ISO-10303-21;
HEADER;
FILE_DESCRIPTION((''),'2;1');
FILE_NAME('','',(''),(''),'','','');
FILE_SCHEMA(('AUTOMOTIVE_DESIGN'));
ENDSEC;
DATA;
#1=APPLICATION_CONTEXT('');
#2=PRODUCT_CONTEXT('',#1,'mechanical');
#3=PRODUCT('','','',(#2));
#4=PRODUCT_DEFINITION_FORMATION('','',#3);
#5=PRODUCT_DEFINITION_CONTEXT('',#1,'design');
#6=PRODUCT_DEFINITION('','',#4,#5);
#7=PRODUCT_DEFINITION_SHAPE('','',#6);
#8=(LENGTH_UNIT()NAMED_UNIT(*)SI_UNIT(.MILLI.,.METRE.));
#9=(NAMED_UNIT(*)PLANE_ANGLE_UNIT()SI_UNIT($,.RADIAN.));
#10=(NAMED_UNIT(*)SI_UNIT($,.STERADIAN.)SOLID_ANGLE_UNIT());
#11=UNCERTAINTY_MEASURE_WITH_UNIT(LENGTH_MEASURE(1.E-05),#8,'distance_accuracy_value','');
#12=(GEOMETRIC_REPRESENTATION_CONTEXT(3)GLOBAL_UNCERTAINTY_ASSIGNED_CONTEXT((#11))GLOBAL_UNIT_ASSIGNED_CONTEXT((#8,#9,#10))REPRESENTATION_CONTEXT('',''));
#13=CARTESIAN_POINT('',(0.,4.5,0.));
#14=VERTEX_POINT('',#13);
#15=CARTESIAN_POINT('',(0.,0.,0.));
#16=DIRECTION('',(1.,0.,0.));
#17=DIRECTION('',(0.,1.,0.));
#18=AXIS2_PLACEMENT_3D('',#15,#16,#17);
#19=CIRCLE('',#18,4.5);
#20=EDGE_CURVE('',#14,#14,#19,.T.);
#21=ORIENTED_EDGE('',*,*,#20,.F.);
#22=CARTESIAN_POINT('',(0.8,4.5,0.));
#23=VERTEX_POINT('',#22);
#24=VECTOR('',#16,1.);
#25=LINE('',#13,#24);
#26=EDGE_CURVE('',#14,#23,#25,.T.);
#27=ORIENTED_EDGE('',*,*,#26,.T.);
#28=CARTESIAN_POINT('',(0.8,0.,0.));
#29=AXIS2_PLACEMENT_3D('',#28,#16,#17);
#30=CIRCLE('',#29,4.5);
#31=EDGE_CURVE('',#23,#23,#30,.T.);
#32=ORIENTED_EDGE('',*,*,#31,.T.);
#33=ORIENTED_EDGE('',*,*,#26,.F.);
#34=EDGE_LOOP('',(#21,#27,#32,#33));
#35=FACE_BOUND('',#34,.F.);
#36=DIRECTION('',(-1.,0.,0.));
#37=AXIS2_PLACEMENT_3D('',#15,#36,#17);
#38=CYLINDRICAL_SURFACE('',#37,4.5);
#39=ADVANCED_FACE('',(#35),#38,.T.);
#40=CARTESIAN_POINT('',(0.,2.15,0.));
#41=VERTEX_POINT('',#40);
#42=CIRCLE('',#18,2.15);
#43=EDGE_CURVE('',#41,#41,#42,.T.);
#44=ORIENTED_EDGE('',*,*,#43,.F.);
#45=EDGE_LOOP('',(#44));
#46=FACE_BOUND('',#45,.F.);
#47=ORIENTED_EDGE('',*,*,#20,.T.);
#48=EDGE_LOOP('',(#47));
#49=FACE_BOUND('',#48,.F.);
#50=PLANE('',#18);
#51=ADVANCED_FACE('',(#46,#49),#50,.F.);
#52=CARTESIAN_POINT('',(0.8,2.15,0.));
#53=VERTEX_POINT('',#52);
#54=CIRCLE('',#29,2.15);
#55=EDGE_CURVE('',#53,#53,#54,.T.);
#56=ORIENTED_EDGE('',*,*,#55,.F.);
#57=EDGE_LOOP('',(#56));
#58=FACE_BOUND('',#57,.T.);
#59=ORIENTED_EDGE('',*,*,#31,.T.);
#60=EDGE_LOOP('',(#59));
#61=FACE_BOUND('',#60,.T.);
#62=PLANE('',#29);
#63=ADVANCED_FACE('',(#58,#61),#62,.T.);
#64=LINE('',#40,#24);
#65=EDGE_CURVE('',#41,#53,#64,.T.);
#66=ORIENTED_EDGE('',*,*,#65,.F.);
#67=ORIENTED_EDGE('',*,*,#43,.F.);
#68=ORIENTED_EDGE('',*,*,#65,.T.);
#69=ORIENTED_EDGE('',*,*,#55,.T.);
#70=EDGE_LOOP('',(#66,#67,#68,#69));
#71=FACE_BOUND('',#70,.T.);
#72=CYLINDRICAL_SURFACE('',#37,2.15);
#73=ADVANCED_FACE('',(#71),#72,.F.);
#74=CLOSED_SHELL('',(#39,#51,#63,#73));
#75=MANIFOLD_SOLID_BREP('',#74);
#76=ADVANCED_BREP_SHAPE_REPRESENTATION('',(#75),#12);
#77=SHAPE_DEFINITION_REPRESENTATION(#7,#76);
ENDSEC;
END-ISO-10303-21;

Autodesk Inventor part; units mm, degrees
ref_plane "YZ Plane" through (0, 0, 0) normal (1, 0, 0) x (0, 1, 0)
ref_plane "XZ Plane" through (0, 0, 0) normal (0, 1, 0) x (-1, 0, 0)
sketch "Esquisse" plane through (0, 0, 0) normal (1, 0, 0) x (0, 1, 0)
  circle A0 centre (0, 0) radius 4.5
  circle A1 centre (0, 0) radius 2.15
  dimension "d0" = 4.3
  dimension "d1" = 9
extrude "Corps" add sketch "Esquisse" along normal blind 0.8
ref_plane "Work Plane1" through (0, 0, 0) normal (0, 0, 1) x (1, 0, 0)
equation "\"d0\" = SD1"
equation "\"d1\" = SD2"
equation "\"d2\" = SD"
equation "\"SD1\" = 4.3"
equation "\"SD2\" = 9"
equation "\"SD\" = 0.8"
equation "\"NND\" = 4"
properties part number "ISO 7089 - 4" material "Acier inoxydable"
